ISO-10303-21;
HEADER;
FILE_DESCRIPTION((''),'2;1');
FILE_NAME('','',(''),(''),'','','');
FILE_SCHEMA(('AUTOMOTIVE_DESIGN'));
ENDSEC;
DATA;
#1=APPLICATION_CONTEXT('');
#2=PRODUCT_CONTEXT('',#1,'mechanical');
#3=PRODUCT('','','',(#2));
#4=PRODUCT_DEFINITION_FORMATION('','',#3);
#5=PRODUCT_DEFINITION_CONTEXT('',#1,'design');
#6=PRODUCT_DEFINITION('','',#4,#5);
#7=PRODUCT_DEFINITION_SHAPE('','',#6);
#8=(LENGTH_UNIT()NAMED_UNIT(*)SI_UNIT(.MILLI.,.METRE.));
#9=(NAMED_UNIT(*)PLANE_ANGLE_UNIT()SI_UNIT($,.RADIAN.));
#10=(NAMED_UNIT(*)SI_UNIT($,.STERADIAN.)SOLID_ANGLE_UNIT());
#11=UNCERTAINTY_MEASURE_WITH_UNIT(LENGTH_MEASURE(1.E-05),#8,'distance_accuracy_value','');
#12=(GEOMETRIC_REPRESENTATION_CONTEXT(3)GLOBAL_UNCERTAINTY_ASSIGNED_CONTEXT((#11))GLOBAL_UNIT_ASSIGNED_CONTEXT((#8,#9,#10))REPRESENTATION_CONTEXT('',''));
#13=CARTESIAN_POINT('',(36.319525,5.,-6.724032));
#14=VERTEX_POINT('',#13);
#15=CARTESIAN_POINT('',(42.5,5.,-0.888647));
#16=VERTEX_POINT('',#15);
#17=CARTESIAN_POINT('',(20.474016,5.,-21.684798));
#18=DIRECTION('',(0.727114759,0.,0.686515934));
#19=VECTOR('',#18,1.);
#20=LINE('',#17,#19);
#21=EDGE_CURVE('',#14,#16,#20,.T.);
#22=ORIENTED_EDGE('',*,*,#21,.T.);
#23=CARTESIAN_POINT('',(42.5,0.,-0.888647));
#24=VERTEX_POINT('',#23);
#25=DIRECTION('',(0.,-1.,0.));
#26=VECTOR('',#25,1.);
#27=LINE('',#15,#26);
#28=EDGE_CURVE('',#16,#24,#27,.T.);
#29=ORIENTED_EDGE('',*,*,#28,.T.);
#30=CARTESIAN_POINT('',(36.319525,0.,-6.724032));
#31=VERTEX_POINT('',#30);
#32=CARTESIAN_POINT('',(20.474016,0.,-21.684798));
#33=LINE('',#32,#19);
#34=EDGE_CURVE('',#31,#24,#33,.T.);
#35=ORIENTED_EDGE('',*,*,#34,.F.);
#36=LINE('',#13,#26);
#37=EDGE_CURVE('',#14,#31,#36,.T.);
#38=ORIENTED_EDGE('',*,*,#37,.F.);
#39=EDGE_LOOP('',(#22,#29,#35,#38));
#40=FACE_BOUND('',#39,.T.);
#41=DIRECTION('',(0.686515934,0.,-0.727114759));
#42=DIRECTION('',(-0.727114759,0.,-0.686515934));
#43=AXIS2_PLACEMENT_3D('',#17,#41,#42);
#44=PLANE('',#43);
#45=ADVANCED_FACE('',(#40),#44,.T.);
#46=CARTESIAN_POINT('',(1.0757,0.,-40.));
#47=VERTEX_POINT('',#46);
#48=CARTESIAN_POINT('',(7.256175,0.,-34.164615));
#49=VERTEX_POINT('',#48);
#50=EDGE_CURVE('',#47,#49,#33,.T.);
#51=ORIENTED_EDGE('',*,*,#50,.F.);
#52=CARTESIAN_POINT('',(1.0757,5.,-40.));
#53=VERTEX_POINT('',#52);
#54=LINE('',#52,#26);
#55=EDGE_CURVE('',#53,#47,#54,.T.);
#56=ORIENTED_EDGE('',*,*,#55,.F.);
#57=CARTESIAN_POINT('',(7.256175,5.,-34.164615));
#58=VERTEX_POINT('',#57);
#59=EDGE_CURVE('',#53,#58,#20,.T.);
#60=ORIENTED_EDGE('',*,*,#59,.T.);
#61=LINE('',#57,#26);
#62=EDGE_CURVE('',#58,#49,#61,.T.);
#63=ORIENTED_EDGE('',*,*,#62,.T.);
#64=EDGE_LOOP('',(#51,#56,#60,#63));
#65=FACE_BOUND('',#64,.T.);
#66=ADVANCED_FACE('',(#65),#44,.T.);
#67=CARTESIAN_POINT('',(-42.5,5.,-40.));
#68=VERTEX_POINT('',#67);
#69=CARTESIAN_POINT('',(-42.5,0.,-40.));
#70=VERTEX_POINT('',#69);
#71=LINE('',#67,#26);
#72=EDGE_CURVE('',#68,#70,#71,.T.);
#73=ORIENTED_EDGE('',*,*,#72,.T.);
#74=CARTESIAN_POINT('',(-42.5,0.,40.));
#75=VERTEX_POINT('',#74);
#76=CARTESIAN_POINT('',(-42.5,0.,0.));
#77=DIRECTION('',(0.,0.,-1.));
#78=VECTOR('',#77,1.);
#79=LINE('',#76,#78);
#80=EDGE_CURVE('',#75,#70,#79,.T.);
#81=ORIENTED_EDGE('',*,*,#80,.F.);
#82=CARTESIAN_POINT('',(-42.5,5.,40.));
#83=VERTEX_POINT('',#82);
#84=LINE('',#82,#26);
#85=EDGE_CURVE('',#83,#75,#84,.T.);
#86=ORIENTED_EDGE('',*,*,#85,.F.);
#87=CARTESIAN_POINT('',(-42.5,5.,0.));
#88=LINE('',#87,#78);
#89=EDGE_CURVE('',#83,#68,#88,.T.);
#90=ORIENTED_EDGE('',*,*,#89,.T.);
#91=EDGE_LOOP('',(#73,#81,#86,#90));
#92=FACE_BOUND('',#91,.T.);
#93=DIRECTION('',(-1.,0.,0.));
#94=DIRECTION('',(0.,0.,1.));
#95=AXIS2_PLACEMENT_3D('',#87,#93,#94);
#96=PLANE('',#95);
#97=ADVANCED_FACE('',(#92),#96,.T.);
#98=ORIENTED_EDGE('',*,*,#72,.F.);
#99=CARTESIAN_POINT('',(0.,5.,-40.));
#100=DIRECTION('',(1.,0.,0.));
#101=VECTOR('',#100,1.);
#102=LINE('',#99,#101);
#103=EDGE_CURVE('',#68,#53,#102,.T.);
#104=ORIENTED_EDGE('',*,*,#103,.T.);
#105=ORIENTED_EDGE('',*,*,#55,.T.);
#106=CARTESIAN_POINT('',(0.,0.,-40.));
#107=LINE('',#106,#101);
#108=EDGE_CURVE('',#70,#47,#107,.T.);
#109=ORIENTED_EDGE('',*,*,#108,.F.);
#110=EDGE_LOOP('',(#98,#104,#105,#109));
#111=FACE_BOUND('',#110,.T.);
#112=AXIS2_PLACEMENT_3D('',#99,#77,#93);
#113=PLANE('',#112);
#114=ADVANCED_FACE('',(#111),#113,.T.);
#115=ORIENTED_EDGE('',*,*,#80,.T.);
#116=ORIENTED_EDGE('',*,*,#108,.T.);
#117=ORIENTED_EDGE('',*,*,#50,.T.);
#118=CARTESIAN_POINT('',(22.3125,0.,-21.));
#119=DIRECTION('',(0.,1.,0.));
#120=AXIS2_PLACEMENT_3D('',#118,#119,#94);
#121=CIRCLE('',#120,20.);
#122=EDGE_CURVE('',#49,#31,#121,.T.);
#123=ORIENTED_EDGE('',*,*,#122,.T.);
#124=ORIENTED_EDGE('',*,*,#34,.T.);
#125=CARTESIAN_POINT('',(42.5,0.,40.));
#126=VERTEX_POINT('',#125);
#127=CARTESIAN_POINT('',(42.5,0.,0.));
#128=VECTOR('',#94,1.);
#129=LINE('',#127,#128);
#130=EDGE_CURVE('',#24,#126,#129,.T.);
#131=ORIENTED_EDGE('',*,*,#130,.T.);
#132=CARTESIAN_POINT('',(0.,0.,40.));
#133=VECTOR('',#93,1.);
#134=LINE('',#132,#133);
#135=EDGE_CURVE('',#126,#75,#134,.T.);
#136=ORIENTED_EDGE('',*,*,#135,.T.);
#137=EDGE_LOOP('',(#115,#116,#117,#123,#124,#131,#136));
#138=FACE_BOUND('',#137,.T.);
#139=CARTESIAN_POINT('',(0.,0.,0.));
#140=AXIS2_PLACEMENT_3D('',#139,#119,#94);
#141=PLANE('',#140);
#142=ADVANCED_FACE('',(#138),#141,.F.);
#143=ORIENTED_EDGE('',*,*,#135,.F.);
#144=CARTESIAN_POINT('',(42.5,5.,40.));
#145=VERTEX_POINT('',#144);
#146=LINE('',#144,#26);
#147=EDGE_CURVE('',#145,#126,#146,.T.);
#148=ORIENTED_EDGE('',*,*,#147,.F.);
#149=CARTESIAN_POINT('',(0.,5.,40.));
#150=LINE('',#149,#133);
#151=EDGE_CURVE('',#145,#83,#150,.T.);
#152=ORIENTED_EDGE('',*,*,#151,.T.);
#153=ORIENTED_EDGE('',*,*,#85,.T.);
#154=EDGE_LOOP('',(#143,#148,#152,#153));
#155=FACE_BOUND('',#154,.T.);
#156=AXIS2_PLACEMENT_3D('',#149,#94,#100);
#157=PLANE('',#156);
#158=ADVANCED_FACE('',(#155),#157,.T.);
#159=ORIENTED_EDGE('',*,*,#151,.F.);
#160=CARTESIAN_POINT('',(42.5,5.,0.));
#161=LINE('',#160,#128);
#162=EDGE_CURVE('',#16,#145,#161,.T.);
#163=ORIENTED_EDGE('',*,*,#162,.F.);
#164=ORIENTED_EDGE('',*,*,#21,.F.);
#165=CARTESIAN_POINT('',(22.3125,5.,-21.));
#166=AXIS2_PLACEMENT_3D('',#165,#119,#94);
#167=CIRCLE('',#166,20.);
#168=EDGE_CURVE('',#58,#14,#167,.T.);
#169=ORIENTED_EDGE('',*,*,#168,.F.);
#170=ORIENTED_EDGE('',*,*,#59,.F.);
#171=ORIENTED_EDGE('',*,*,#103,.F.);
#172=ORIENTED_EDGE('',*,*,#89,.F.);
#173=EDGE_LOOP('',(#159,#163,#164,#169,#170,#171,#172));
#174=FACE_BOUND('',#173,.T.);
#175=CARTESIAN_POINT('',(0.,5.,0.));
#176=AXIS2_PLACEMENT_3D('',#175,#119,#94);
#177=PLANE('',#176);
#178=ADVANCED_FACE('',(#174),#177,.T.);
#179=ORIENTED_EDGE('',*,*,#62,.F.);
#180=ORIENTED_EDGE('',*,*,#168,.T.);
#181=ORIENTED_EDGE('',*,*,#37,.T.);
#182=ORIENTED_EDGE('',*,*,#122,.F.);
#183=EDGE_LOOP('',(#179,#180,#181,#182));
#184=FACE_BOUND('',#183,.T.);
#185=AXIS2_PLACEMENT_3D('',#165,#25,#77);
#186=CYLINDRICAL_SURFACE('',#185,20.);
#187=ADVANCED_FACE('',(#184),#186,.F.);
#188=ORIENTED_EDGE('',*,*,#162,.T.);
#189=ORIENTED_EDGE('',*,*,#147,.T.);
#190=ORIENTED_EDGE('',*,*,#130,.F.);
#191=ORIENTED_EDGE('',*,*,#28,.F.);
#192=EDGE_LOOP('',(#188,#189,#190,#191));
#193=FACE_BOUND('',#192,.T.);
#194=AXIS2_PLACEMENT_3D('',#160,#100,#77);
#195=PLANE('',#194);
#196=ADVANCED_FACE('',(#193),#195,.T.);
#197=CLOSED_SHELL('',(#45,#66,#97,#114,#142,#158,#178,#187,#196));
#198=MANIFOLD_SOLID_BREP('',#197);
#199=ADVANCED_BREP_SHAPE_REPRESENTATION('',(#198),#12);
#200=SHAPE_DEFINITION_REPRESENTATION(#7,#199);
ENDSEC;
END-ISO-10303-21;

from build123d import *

# Parameters (mm, degrees)
BOSS_EXTRU_1_DEPTH = 5


with BuildPart() as part:
    # Esquisse1 → Boss.-Extru.1 (new body)
    with BuildSketch(Plane(origin=(0, 0, 0), x_dir=(1, 0, 0), z_dir=(0, 1, 0))):
        with BuildLine():
            Line((-42.5, 40), (1.075699519, 40))
            Line((1.075699519, 40), (7.256174968, 34.16461456))
            ThreePointArc((7.256174968, 34.16461456), (8.582181318, 6.457704827), (36.319524552, 6.724031969))
            Line((36.319524552, 6.724031969), (42.5, 0.88864653))
            Line((42.5, 0.88864653), (42.5, -40))
            Line((42.5, -40), (-42.5, -40))
            Line((-42.5, -40), (-42.5, 40))
        make_face()
    extrude(amount=BOSS_EXTRU_1_DEPTH)


solid = part.part
